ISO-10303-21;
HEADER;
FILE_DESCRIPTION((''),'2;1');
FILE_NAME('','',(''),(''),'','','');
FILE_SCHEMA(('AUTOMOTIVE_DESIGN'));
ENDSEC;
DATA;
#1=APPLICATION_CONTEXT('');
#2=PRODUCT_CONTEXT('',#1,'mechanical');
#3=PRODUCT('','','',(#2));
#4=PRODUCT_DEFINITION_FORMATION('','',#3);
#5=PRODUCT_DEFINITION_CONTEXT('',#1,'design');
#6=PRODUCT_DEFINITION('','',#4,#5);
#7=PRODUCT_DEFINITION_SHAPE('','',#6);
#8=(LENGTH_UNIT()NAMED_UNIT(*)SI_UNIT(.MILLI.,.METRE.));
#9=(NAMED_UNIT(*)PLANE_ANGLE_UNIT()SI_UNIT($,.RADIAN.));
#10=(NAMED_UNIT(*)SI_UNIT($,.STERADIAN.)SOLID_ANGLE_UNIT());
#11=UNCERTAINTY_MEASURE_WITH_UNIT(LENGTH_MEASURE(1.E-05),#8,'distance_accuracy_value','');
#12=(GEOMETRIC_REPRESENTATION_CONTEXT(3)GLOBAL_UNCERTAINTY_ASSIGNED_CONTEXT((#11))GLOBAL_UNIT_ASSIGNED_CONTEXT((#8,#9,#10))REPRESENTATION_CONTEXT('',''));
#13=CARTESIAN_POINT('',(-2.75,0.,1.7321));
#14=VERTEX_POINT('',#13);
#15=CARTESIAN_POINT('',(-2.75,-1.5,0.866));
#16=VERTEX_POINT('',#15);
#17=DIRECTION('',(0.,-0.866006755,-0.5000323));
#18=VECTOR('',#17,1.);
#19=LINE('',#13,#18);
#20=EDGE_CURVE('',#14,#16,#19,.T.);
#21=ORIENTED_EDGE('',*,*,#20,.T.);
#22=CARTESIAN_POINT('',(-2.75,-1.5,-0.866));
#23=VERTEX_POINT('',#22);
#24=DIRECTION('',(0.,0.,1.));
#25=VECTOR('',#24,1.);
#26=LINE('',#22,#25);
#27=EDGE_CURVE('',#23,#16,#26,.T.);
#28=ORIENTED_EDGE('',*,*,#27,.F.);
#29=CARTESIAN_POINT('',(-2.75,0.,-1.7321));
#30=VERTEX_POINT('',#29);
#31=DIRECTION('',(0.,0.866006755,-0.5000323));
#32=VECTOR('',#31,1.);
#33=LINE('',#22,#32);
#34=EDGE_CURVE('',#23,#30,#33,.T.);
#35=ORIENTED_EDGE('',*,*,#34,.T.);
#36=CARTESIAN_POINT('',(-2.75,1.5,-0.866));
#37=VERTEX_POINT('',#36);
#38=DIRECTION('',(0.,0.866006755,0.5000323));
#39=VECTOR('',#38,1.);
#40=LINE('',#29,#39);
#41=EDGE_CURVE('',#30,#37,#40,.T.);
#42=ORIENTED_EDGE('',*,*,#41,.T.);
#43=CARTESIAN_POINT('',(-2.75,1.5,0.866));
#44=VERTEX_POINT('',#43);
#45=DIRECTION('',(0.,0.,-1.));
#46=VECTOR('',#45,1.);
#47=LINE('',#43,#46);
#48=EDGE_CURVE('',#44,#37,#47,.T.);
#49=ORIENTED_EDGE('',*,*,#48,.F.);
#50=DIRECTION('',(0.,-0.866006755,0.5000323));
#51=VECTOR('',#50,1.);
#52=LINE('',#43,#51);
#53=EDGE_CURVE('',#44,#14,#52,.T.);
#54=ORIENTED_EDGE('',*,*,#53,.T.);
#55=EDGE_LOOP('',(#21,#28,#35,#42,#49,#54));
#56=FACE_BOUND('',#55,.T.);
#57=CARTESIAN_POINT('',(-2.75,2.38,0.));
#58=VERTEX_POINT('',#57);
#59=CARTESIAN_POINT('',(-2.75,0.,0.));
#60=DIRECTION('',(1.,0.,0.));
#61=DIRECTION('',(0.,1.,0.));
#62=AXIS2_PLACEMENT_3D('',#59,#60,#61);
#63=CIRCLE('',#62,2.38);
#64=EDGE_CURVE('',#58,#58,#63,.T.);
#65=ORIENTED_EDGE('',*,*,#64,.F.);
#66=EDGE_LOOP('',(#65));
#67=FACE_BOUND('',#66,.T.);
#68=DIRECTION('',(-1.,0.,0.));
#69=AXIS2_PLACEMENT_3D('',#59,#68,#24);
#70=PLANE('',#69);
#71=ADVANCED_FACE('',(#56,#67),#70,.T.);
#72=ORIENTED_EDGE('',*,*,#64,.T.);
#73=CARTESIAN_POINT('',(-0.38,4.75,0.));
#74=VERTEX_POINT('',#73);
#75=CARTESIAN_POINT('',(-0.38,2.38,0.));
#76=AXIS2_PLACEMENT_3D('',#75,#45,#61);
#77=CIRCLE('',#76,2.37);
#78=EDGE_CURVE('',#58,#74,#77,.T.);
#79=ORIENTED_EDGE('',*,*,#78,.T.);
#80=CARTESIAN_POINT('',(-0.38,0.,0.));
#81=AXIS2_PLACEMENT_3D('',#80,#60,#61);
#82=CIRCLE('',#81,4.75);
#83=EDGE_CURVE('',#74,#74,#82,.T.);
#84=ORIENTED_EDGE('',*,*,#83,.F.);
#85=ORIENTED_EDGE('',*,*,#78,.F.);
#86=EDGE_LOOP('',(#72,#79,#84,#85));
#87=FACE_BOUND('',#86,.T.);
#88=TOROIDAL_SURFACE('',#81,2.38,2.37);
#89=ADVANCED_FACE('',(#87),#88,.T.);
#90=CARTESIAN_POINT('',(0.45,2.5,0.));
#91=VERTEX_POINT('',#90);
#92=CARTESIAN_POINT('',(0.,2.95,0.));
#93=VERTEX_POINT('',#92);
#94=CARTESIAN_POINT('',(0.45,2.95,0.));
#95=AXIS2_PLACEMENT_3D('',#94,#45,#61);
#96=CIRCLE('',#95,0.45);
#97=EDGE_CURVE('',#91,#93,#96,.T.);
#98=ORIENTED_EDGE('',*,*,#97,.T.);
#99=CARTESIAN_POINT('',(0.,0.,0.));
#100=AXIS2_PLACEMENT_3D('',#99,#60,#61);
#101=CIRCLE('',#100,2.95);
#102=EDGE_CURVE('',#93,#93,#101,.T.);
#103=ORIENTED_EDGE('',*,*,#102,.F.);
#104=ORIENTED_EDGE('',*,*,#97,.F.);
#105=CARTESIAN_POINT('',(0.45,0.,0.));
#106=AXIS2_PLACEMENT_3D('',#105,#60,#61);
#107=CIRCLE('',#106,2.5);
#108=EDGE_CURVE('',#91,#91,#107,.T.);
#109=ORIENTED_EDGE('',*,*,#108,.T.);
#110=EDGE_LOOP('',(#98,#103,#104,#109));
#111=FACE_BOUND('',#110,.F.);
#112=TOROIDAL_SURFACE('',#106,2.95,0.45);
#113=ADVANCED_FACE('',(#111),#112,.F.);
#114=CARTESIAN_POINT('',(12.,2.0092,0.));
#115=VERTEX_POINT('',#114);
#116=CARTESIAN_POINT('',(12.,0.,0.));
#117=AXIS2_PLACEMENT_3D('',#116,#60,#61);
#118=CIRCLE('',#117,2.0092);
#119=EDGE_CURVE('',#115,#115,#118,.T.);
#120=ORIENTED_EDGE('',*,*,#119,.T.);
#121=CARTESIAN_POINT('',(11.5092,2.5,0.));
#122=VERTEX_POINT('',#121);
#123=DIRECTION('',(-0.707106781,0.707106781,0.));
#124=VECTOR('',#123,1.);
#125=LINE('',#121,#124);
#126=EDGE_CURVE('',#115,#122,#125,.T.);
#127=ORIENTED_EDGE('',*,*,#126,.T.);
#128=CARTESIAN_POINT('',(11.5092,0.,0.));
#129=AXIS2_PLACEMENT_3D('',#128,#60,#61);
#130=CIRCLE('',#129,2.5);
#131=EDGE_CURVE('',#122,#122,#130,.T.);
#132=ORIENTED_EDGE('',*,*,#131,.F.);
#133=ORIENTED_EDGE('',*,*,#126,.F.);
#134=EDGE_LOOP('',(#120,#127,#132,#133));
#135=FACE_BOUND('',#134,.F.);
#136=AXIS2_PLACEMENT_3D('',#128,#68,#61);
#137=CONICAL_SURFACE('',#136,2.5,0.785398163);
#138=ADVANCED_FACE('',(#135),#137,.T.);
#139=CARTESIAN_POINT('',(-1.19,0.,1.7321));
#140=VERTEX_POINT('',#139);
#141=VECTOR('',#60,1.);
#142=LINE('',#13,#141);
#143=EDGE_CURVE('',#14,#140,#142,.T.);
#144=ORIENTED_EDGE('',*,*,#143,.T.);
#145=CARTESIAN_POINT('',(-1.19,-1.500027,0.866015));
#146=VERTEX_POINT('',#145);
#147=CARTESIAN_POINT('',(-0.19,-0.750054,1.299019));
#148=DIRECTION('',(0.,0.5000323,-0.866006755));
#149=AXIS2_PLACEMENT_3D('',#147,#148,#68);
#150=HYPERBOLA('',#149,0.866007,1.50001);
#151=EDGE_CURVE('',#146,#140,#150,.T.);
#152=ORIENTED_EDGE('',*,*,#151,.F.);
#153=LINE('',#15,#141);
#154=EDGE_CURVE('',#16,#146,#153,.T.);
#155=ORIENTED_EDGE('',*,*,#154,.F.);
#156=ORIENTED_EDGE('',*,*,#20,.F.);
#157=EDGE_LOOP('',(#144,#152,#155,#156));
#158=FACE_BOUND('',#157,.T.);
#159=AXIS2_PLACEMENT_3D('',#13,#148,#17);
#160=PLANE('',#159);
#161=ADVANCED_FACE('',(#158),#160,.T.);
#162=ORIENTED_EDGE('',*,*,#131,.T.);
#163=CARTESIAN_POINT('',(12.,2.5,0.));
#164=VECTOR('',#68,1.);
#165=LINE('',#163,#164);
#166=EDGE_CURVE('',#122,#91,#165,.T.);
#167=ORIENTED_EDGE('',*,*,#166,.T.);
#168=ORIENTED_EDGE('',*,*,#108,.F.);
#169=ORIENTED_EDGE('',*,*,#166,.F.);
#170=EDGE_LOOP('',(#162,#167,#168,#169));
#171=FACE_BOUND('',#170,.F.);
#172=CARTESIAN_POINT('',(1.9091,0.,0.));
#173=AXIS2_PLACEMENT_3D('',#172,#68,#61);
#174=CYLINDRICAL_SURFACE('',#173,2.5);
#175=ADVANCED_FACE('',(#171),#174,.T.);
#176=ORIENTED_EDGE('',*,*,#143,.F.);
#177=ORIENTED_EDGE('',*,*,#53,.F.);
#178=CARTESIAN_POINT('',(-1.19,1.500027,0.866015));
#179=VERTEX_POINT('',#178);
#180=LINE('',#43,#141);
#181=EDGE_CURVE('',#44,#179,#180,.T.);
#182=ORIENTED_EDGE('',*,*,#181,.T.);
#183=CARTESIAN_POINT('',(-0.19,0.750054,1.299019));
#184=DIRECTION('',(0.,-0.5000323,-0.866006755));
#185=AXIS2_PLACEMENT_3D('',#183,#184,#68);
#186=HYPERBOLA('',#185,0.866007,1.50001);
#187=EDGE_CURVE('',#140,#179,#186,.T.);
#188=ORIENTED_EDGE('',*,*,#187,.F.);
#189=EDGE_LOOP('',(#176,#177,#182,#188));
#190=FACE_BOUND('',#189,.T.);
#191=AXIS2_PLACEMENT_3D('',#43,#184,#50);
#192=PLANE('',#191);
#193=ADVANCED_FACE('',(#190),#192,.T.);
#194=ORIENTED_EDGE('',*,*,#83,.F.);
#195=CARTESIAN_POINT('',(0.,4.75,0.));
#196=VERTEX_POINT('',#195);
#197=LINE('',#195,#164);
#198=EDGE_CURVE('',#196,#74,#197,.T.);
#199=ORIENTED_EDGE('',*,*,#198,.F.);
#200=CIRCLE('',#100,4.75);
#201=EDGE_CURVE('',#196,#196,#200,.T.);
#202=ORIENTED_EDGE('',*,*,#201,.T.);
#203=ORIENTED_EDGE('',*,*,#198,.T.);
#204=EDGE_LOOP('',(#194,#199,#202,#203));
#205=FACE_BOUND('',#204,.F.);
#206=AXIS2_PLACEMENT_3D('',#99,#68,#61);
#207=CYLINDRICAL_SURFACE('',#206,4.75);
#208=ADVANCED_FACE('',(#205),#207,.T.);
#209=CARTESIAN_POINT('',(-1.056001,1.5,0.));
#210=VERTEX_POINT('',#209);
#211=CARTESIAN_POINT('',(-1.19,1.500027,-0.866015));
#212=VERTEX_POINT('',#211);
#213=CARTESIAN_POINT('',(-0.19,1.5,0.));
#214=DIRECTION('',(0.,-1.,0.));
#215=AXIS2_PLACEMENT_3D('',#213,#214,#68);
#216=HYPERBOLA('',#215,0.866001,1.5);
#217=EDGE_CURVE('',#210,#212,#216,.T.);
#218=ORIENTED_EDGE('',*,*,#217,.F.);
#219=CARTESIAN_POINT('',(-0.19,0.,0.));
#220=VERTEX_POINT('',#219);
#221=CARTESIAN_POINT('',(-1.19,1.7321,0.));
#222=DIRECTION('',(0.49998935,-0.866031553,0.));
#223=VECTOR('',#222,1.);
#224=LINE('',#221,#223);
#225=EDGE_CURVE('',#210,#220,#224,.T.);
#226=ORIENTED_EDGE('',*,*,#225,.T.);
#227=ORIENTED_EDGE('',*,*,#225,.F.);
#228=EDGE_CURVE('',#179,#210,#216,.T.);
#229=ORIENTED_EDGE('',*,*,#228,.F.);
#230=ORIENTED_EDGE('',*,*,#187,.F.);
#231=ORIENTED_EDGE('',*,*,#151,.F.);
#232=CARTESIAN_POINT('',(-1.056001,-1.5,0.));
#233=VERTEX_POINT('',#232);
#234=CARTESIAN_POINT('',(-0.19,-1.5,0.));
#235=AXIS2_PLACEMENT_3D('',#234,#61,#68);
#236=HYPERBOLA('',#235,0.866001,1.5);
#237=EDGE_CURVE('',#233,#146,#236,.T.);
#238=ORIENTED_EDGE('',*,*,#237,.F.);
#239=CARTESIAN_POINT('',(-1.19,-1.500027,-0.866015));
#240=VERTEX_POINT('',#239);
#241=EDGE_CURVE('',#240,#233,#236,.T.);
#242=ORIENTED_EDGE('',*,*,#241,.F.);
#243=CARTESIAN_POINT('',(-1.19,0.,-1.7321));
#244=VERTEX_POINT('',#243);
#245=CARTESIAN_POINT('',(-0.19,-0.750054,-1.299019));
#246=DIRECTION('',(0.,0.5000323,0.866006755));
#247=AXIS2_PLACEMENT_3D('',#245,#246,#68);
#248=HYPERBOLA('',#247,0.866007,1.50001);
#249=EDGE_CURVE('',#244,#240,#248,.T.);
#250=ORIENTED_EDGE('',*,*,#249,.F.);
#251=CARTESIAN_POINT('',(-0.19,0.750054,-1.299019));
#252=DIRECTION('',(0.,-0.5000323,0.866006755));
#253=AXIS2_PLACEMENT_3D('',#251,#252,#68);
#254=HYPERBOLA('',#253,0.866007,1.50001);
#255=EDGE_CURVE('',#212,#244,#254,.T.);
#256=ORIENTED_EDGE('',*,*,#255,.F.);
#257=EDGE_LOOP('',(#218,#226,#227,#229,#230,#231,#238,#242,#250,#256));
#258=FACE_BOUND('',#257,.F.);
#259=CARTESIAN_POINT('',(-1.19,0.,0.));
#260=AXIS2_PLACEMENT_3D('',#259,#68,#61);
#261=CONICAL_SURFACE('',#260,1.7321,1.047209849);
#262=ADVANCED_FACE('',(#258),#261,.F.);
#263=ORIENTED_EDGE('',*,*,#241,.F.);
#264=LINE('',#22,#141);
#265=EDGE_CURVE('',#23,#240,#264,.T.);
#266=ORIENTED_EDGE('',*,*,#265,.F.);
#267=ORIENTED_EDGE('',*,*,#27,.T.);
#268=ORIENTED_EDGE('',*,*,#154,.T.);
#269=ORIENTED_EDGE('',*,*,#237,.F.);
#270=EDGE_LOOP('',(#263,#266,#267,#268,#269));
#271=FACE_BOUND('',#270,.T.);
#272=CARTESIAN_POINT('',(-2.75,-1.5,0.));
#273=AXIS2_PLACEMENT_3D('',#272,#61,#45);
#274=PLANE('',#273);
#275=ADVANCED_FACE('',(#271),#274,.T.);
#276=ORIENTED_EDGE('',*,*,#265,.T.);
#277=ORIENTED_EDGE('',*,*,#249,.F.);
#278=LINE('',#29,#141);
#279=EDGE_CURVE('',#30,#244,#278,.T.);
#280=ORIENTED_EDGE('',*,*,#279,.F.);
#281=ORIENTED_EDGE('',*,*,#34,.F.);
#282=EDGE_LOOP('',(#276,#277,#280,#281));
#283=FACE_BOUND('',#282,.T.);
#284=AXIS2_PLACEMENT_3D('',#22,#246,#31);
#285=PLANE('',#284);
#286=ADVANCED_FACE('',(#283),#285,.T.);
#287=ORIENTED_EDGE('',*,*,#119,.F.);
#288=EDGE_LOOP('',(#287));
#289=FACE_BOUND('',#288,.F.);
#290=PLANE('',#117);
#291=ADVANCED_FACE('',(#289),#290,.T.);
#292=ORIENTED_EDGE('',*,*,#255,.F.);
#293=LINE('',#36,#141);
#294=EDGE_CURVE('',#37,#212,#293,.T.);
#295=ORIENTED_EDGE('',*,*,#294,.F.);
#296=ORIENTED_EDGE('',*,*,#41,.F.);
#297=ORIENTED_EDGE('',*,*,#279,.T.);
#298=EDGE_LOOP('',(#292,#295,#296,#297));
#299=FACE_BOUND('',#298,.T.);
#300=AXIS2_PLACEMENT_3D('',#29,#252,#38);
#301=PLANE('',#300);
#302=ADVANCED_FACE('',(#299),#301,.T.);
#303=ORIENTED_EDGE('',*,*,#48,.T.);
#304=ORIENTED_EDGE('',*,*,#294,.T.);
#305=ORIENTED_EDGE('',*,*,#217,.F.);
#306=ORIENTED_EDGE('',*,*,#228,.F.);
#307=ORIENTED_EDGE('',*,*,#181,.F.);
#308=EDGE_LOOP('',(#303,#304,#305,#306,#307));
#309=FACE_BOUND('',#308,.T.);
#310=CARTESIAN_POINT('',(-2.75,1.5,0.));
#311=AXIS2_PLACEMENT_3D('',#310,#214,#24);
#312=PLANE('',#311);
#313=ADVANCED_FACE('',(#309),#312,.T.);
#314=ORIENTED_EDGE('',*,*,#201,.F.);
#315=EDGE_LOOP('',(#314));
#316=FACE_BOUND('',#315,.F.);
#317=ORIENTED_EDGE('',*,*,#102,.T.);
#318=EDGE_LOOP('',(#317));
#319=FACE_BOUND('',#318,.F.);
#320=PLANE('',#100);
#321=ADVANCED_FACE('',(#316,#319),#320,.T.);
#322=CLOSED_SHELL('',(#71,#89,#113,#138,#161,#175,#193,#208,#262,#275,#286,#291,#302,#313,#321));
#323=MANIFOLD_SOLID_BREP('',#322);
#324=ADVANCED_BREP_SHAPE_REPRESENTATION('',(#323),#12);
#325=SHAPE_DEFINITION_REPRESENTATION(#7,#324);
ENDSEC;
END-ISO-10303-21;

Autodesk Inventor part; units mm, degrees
ref_plane "YZ Plane" through (0, 0, 0) normal (1, 0, 0) x (0, 1, 0)
ref_plane "XZ Plane" through (0, 0, 0) normal (0, 1, 0) x (-1, 0, 0)
sketch "Sketch1" plane through (0, 0, 0) normal (0, 0, 1) x (1, 0, 0)
  line L0 (-0.19, 0) -> (12, 0)
  line L1 (12, 0) -> (12, 2.5)
  line L2 (12, 2.5) -> (2.4, 2.5)
  line L3 (2.4, 2.5) -> (1.9091, 2.5)
  line L4 (1.9091, 2.5) -> (0, 2.5)
  line L5 (0, 2.5) -> (0, 4.75)
  line L6 (0, 4.75) -> (-2.75, 4.75)
  line L7 (-2.75, 4.75) -> (-2.75, 1.7321)
  line L8 (-2.75, 1.7321) -> (-1.19, 1.7321)
  line L9 (-1.19, 1.7321) -> (-0.19, 0)
  line L10 (-5.7, 0) -> (14.95, 0) projected
  line L11 (0, -0.95) -> (0, 5.7) projected
  line L12 (2.4, 2.5) -> (0, 2.5) construction
  dimension "d1" = 9.6
  dimension "d2" = 0.4909
  dimension "d3" = 2.75
  dimension "d4" = 1.56
  dimension "d5" = 60
  dimension "d6" = 5
  dimension "d7" = 5
  dimension "d8" = 3.4641
  dimension "d9" = 9.5
  dimension "d26" = 12
revolve "Body" add sketch "Sketch1" angle 360 about axis through (-0.19, 0, 0) along (1, 0, 0)
sketch "Sketch2" plane through (-2.75, 0, 0) normal (-1, 0, 0) x (0, 0, 1)
  circle A0 centre (0, 0) radius 1.7321 projected
  line L0 (0, -6.65) -> (0, 6.65) projected
  line L1 (-6.65, 0) -> (6.65, 0) projected
  line L2 (1.7321, 0) -> (0.866, -1.5)
  line L3 (0.866, -1.5) -> (-0.866, -1.5)
  line L4 (-0.866, -1.5) -> (-1.7321, 0)
  line L5 (-1.7321, 0) -> (-0.866, 1.5)
  line L6 (-0.866, 1.5) -> (0.866, 1.5)
  line L7 (0.866, 1.5) -> (1.7321, 0)
extrude "Slot" add sketch "Sketch2" against normal up to next contours L7 A0 | A0 L2 | L6 L0 A0 | A0 L0 L3 | L0 L6 A0 | A0 L3 L0 | L4 A0 | A0 L5
fillet "Fillet1" radius 2.37 1 edges at (-2.75, -4.75, 0)
thread "Thread" size "M5x0.8" class "6g" standard "ISO Metric profile" length 9.6
chamfer "Chamfer1" distance 0.4908 distance2 0.4908 1 edges at (12, -2.5, 0) measured on face at (12, -0.7741, -0.6858)
ref_plane "Work Plane1" through (29, 0, 0) normal (0, -1, 0) x (1, 0, 0)
fillet "Fillet2" radius 0.45 1 edges at (0, -2.5, 0)
equation "\"d1\" = GEL"
equation "\"d3\" = KOH"
equation "\"d4\" = INTI"
equation "\"d6\" = GD"
equation "\"d7\" = BDM"
equation "\"d8\" = 1.1547 * SW"
equation "\"d9\" = KOD"
equation "\"d26\" = NLG"
equation "\"d30\" = R"
equation "\"d17\" = RR"
equation "\"d13\" = GEL"
equation "\"d15\" = -0.5 * SPD + 0.5 * GD"
equation "\"d16\" = GUL"
equation "\"GD\" = NND"
equation "\"NLG\" = 12"
equation "\"GEL\" = 9.6"
equation "\"KOD\" = 9.5"
equation "\"KOH\" = 2.75"
equation "\"INTI\" = 1.56"
equation "\"GAL\" = 0.61345 * PTC"
equation "\"GUL\" = 0.61345 * PTC"
equation "\"BDM\" = NND"
equation "\"SW\" = 3"
equation "\"RR\" = 2.37"
equation "\"SPD\" = NND - 1.2269 * PTC"
equation "\"R\" = 0.45"
equation "\"TOA\" = 30deg"
equation "\"GD1\" = THREADDIA - 1.2269 * PTC"
equation "\"THREADDIA\" = 5"
equation "\"PTC\" = 0.8"
equation "\"NND\" = 5"
equation "\"KOH1\" = 0.38"
equation "\"E0\" = 3.443"
properties part number "ISO 7380-1 - M5 x 12" material "Steel"
